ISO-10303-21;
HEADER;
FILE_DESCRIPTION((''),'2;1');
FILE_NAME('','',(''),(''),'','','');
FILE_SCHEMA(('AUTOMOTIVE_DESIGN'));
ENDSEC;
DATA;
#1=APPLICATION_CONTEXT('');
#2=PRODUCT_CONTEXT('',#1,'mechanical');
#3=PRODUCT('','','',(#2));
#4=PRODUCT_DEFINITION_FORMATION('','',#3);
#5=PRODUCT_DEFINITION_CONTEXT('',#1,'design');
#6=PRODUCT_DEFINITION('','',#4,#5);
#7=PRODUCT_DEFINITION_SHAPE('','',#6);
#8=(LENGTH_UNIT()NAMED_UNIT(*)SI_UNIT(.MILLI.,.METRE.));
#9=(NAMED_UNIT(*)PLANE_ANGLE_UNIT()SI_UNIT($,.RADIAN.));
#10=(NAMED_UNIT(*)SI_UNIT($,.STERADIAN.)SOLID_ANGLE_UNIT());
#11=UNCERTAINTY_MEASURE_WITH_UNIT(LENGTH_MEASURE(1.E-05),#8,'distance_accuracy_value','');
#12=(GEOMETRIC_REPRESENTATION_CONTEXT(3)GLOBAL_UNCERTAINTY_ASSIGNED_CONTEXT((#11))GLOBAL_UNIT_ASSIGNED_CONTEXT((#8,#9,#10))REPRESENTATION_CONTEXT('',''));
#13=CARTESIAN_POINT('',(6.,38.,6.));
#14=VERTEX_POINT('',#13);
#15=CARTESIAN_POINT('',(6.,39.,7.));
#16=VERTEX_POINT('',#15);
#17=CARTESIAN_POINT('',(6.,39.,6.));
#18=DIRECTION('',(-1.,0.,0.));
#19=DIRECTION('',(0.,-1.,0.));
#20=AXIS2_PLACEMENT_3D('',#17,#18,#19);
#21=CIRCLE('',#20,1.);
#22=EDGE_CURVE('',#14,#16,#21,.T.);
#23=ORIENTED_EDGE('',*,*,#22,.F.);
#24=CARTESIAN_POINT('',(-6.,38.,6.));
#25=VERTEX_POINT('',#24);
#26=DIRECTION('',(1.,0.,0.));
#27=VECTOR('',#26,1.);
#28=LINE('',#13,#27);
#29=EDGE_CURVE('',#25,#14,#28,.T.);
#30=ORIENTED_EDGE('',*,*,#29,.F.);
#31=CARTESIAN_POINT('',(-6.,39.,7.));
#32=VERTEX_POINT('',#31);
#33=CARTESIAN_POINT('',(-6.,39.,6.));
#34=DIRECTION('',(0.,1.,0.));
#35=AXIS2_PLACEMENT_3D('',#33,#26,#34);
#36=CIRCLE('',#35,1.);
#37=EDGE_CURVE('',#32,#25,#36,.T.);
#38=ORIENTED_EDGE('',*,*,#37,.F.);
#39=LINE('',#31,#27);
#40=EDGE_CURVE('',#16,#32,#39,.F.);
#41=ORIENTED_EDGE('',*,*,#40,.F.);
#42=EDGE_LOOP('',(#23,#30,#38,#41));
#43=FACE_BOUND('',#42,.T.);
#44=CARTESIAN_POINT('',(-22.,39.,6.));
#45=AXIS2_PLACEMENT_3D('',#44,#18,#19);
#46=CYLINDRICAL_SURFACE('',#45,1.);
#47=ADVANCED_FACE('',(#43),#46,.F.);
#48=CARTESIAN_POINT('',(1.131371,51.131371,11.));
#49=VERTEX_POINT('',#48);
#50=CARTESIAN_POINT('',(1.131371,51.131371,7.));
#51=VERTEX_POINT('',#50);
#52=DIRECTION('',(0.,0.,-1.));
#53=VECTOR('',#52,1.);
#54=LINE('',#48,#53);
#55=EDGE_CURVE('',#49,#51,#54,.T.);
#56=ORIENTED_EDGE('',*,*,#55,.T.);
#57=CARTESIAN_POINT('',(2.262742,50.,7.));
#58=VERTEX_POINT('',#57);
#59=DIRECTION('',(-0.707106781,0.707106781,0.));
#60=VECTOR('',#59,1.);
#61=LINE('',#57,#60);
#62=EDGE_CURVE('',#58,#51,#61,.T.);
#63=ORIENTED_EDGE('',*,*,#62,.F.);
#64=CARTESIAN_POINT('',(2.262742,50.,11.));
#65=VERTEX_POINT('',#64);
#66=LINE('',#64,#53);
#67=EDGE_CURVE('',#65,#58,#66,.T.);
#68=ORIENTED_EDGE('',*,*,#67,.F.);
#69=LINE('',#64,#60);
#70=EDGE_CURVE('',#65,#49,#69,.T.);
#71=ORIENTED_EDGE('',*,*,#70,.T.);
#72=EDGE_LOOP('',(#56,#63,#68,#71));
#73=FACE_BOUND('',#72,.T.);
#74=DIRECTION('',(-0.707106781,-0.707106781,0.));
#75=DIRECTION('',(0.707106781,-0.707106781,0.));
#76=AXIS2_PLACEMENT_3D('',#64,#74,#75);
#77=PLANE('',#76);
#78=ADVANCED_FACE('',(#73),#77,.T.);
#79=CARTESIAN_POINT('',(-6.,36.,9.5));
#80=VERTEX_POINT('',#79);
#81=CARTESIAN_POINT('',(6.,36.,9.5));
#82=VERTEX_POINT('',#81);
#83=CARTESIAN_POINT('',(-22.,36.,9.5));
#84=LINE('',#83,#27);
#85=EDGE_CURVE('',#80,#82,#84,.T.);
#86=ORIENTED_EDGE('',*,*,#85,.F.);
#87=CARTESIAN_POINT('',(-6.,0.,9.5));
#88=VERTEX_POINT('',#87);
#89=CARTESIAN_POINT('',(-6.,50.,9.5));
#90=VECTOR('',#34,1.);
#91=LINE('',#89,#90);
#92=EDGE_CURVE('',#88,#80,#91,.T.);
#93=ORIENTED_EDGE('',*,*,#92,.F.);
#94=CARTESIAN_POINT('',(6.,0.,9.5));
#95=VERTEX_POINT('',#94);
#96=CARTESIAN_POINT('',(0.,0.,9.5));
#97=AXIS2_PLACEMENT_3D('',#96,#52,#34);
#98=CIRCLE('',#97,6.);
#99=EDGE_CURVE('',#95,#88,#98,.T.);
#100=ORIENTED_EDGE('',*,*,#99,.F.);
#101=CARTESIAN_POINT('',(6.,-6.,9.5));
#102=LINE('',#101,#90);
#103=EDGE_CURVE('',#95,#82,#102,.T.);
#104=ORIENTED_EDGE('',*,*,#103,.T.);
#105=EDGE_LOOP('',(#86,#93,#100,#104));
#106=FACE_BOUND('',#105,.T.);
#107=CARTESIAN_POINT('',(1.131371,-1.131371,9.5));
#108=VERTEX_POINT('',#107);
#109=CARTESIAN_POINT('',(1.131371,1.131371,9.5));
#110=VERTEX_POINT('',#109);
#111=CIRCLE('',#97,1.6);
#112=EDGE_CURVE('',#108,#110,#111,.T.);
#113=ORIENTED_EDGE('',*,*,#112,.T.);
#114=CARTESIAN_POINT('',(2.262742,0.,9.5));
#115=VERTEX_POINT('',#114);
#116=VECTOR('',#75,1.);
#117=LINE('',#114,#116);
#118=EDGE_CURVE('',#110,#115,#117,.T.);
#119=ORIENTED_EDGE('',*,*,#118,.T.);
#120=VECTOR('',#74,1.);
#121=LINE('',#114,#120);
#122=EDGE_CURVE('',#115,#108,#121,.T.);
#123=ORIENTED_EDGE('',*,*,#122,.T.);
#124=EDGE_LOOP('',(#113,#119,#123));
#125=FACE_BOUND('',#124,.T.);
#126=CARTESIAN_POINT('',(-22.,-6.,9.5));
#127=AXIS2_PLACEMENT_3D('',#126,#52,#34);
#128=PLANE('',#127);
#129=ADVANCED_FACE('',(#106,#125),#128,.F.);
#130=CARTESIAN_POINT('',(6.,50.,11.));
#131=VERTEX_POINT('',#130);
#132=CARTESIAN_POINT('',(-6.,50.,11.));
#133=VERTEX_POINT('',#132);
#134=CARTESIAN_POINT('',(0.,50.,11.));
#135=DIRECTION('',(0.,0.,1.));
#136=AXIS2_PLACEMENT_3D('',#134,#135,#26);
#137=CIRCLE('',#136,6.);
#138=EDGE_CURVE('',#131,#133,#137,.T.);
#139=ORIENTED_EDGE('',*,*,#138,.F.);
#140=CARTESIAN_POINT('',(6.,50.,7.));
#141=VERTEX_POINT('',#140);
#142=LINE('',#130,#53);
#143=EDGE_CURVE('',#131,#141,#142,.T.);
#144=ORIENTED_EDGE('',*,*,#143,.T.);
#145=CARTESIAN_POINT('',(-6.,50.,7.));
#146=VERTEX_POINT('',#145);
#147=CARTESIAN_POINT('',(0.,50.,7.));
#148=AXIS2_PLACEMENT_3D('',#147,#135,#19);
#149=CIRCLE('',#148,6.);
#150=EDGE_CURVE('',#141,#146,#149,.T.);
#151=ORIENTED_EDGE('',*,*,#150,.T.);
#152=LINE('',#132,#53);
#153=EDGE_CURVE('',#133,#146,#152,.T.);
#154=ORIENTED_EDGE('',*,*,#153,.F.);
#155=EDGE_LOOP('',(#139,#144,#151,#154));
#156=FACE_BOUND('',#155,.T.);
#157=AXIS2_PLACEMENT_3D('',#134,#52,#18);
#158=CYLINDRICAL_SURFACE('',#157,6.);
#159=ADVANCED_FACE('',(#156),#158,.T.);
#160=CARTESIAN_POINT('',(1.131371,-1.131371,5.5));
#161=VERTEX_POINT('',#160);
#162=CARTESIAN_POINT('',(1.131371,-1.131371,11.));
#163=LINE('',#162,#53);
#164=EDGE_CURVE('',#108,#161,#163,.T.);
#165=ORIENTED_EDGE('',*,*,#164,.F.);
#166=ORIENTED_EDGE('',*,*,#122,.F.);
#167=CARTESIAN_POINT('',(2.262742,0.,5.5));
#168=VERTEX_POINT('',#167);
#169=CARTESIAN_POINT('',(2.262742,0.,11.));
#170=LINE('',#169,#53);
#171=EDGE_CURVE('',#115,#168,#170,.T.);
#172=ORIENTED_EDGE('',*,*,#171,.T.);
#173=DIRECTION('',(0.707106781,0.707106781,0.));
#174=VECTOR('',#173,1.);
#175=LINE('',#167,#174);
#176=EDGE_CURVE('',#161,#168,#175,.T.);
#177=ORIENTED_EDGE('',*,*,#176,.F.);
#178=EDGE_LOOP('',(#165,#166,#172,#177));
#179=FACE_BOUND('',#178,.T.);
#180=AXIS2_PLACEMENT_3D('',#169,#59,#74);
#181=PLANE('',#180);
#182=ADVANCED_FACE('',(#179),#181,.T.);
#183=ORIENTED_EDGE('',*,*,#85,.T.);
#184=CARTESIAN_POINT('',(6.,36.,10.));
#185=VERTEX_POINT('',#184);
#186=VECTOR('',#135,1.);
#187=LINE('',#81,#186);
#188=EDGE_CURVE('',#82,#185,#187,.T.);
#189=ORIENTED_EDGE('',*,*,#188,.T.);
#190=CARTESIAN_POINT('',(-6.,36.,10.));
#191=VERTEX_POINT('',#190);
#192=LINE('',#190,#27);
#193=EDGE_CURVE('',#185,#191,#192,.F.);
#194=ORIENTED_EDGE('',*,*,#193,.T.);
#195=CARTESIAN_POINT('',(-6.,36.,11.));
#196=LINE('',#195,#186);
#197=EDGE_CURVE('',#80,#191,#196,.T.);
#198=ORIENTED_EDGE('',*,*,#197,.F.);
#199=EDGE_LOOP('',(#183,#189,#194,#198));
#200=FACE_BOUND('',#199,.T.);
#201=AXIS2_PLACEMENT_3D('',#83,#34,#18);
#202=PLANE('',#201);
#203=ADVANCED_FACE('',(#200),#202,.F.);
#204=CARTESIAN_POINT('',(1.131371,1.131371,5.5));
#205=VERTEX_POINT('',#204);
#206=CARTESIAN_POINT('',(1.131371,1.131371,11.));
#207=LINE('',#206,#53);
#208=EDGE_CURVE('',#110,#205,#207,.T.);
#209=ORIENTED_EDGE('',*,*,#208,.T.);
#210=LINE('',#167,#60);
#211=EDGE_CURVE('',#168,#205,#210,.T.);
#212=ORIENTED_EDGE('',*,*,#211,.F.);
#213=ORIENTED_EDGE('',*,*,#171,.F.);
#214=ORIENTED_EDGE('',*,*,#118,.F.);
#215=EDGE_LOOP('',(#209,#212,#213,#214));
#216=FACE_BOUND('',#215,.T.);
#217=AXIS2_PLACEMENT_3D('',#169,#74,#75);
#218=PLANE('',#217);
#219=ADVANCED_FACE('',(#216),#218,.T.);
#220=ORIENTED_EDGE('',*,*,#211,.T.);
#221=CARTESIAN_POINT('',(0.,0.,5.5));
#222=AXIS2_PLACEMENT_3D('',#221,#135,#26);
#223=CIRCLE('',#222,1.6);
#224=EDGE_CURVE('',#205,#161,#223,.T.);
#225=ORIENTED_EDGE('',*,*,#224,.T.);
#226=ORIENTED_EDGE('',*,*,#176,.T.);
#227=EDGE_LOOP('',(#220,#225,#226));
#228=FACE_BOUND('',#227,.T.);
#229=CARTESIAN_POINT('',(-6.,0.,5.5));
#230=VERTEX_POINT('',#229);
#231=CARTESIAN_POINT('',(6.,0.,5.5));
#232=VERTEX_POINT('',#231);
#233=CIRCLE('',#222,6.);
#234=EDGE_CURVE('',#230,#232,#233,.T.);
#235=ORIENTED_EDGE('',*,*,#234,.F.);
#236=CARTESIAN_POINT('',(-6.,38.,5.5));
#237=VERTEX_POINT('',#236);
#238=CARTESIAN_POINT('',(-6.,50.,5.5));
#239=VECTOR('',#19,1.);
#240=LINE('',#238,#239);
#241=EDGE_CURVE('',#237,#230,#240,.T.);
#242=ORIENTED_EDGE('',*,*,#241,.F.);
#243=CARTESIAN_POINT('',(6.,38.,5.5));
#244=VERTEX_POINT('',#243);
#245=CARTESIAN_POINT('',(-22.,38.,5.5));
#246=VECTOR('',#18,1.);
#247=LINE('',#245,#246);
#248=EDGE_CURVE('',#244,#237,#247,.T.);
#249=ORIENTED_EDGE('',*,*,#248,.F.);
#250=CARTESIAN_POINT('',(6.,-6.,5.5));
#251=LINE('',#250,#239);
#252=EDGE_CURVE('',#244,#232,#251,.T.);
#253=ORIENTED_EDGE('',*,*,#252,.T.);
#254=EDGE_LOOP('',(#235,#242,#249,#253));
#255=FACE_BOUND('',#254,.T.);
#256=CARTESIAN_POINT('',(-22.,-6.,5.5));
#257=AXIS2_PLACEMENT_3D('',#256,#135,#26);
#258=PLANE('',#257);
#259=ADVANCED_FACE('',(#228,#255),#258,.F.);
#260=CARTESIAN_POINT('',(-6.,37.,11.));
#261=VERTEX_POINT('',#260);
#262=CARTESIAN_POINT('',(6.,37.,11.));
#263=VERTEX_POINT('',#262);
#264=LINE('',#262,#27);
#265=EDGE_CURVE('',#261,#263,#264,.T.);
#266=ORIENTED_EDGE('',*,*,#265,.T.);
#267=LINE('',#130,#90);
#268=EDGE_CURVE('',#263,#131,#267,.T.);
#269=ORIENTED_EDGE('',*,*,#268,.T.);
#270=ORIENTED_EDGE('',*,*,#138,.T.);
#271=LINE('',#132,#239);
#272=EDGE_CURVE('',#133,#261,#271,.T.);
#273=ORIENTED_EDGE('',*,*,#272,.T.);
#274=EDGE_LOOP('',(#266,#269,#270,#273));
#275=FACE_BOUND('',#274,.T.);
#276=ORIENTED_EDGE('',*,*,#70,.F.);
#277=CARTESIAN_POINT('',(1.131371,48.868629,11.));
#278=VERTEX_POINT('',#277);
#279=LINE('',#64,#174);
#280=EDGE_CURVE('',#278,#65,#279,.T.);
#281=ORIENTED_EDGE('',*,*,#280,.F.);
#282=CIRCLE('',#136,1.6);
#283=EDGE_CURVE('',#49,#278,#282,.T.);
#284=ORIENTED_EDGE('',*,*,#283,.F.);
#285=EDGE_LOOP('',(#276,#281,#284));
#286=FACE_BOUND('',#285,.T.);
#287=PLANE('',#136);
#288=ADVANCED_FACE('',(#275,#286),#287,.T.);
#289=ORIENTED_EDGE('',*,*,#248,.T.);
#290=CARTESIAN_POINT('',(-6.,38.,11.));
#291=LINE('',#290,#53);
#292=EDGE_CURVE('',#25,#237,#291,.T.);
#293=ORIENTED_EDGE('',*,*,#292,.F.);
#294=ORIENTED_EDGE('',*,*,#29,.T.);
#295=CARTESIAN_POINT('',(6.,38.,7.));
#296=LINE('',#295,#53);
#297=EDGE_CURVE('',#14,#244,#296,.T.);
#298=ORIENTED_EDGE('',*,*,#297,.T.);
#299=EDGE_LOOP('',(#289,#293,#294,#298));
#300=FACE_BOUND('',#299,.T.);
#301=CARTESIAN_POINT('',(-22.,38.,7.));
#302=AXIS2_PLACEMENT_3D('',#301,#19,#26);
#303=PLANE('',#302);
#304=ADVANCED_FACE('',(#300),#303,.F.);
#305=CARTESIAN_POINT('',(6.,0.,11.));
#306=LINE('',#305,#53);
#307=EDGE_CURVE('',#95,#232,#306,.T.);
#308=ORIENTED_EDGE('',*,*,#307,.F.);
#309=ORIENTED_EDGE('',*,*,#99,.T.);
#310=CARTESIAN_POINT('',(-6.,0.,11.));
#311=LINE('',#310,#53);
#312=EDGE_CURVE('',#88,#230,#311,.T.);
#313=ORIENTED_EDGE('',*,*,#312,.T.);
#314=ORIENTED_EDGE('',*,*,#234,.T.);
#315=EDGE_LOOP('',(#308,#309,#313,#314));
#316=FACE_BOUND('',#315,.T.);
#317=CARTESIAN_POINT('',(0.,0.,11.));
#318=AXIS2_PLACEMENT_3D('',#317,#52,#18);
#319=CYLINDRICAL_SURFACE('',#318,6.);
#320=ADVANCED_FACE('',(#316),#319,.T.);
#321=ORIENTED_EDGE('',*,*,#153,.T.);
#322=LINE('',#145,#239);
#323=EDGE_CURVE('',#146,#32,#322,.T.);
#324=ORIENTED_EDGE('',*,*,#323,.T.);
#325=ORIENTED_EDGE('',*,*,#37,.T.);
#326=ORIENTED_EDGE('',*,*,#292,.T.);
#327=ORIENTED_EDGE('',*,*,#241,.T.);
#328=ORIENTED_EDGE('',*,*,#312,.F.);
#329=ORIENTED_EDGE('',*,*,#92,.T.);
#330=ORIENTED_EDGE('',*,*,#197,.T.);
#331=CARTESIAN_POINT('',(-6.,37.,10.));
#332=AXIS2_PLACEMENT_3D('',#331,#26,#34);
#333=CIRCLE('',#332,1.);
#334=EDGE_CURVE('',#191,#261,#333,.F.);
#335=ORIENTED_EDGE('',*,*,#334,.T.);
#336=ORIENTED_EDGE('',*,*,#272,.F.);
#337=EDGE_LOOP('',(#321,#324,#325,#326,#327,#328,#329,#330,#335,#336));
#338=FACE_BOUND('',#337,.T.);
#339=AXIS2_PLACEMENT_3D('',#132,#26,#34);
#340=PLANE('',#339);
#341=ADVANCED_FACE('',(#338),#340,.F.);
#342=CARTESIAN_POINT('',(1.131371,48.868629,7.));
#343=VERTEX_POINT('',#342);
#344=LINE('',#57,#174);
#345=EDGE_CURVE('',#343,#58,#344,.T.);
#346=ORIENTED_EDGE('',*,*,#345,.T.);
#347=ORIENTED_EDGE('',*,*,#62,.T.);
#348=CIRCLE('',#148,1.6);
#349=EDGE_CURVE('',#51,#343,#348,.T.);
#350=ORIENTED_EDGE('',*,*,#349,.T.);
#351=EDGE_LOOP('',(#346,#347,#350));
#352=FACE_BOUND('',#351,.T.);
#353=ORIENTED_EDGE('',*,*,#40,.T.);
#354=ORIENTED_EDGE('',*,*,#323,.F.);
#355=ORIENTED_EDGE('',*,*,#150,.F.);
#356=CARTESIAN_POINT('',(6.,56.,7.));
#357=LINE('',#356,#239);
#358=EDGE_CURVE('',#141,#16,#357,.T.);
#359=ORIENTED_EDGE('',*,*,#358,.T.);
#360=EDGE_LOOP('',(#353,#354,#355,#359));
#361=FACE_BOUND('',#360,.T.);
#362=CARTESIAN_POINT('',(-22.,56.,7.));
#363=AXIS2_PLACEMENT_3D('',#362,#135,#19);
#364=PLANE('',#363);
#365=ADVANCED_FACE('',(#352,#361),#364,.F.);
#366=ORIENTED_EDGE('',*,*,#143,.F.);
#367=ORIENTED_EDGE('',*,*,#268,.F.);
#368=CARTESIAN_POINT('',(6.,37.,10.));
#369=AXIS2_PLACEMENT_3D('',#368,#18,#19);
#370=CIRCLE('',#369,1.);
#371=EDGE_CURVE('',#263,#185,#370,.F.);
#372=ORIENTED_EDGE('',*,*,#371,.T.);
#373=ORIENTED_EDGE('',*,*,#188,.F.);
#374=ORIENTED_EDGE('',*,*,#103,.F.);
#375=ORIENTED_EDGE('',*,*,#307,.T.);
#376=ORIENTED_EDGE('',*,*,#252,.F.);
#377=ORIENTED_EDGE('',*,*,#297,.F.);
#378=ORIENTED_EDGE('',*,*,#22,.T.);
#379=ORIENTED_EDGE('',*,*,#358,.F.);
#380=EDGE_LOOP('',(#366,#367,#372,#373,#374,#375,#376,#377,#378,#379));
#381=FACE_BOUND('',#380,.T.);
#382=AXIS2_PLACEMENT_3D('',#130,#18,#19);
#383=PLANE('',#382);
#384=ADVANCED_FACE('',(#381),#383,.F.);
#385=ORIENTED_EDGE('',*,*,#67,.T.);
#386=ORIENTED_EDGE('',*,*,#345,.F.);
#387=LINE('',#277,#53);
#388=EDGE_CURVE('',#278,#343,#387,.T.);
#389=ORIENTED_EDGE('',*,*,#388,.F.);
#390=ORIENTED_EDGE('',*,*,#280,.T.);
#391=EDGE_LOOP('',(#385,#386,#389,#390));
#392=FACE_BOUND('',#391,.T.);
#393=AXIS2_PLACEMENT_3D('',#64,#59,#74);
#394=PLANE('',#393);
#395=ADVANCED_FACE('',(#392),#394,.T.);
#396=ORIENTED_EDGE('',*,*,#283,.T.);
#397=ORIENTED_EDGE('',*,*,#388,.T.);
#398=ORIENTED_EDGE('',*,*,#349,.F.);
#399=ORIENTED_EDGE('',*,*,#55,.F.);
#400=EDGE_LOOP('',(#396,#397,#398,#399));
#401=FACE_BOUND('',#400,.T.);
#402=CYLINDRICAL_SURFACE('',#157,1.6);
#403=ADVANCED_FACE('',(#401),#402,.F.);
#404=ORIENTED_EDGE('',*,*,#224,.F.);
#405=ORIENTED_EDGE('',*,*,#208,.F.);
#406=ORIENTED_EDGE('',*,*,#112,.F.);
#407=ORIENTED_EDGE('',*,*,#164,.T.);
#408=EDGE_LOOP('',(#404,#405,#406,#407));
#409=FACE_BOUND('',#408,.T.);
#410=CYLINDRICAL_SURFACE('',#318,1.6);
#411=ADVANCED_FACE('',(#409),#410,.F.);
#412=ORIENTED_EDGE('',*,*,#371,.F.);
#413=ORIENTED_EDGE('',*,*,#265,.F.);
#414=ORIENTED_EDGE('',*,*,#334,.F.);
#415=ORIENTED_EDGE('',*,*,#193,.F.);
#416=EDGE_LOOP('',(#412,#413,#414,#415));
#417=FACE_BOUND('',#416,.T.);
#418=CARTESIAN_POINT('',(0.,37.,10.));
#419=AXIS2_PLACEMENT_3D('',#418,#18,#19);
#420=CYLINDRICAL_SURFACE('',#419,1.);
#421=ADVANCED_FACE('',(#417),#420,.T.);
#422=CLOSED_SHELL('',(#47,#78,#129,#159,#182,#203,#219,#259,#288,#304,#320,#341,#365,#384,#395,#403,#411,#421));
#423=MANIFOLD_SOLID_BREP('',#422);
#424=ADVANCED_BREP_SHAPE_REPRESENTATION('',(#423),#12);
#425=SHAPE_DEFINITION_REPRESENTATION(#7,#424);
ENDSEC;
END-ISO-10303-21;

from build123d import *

# Parameters (mm, degrees)
EXTRUDE_1_DEPTH     = 11
SKETCH_2_W          = 14
SKETCH_2_H          = 18
SKETCH_2_W_2        = 11
SKETCH_2_H_2        = 41
SKETCH_2_W_3        = 1.5
SKETCH_2_H_3        = 42
CUT_EXTRUDE_1_DEPTH = 28
FILLET_1_R          = 1
SKETCH_3_W          = 132.309001911
SKETCH_3_H          = 95.019202257
CUT_EXTRUDE_2_DEPTH = 76


with BuildPart() as part:
    # 草图1 → 凸台-拉伸1 (new, symmetric)
    with BuildSketch(Plane.XY):
        with BuildLine():
            Line((6, 50), (6, 0))
            ThreePointArc((6, 0), (0, -6), (-6, 0))
            Line((-6, 0), (-6, 50))
            ThreePointArc((-6, 50), (0, 56), (6, 50))
        make_face()
        with BuildLine():
            Line((2.2627417, 50), (1.13137085, 51.13137085))
            ThreePointArc((1.13137085, 51.13137085), (-1.6, 50), (1.13137085, 48.86862915))
            Line((1.13137085, 48.86862915), (2.2627417, 50))
        make_face(mode=Mode.SUBTRACT)
        with BuildLine():
            Line((2.2627417, 0), (1.13137085, 1.13137085))
            ThreePointArc((1.13137085, 1.13137085), (-1.6, 0), (1.13137085, -1.13137085))
            Line((1.13137085, -1.13137085), (2.2627417, 0))
        make_face(mode=Mode.SUBTRACT)
    extrude(amount=EXTRUDE_1_DEPTH, both=True)

    # 草图2 → 切除-拉伸1 (cut)
    with BuildSketch(Plane(origin=(6, 0, 0), x_dir=(0, 0, -1), z_dir=(1, 0, 0))):
        with Locations((0, 47)):
            Rectangle(SKETCH_2_W, SKETCH_2_H)
        with Locations((0, 14.5)):
            Rectangle(SKETCH_2_W_2, SKETCH_2_H_2)
        with Locations((-10.25, 15)):
            Rectangle(SKETCH_2_W_3, SKETCH_2_H_3)
        with Locations((10.25, 15)):
            Rectangle(SKETCH_2_W_3, SKETCH_2_H_3)
    extrude(amount=-CUT_EXTRUDE_1_DEPTH, mode=Mode.SUBTRACT)

    # 圆角1
    fillet_1_edges = [part.edges().sort_by_distance(p)[0] for p in [
        (0, 36, -11),
        (0, 38, -7),
        (0, 38, 7),
        (0, 36, 11),
    ]]
    fillet(fillet_1_edges, radius=FILLET_1_R)

    # 草图3 → 切除-拉伸2 (cut)
    with BuildSketch(Plane(origin=(0, 0, 5.5), x_dir=(-1, 0, 0), z_dir=(0, 0, -1))):
        with Locations((2.071719377, 26.254861983)):
            Rectangle(SKETCH_3_W, SKETCH_3_H)
    extrude(amount=CUT_EXTRUDE_2_DEPTH, mode=Mode.SUBTRACT)


solid = part.part
